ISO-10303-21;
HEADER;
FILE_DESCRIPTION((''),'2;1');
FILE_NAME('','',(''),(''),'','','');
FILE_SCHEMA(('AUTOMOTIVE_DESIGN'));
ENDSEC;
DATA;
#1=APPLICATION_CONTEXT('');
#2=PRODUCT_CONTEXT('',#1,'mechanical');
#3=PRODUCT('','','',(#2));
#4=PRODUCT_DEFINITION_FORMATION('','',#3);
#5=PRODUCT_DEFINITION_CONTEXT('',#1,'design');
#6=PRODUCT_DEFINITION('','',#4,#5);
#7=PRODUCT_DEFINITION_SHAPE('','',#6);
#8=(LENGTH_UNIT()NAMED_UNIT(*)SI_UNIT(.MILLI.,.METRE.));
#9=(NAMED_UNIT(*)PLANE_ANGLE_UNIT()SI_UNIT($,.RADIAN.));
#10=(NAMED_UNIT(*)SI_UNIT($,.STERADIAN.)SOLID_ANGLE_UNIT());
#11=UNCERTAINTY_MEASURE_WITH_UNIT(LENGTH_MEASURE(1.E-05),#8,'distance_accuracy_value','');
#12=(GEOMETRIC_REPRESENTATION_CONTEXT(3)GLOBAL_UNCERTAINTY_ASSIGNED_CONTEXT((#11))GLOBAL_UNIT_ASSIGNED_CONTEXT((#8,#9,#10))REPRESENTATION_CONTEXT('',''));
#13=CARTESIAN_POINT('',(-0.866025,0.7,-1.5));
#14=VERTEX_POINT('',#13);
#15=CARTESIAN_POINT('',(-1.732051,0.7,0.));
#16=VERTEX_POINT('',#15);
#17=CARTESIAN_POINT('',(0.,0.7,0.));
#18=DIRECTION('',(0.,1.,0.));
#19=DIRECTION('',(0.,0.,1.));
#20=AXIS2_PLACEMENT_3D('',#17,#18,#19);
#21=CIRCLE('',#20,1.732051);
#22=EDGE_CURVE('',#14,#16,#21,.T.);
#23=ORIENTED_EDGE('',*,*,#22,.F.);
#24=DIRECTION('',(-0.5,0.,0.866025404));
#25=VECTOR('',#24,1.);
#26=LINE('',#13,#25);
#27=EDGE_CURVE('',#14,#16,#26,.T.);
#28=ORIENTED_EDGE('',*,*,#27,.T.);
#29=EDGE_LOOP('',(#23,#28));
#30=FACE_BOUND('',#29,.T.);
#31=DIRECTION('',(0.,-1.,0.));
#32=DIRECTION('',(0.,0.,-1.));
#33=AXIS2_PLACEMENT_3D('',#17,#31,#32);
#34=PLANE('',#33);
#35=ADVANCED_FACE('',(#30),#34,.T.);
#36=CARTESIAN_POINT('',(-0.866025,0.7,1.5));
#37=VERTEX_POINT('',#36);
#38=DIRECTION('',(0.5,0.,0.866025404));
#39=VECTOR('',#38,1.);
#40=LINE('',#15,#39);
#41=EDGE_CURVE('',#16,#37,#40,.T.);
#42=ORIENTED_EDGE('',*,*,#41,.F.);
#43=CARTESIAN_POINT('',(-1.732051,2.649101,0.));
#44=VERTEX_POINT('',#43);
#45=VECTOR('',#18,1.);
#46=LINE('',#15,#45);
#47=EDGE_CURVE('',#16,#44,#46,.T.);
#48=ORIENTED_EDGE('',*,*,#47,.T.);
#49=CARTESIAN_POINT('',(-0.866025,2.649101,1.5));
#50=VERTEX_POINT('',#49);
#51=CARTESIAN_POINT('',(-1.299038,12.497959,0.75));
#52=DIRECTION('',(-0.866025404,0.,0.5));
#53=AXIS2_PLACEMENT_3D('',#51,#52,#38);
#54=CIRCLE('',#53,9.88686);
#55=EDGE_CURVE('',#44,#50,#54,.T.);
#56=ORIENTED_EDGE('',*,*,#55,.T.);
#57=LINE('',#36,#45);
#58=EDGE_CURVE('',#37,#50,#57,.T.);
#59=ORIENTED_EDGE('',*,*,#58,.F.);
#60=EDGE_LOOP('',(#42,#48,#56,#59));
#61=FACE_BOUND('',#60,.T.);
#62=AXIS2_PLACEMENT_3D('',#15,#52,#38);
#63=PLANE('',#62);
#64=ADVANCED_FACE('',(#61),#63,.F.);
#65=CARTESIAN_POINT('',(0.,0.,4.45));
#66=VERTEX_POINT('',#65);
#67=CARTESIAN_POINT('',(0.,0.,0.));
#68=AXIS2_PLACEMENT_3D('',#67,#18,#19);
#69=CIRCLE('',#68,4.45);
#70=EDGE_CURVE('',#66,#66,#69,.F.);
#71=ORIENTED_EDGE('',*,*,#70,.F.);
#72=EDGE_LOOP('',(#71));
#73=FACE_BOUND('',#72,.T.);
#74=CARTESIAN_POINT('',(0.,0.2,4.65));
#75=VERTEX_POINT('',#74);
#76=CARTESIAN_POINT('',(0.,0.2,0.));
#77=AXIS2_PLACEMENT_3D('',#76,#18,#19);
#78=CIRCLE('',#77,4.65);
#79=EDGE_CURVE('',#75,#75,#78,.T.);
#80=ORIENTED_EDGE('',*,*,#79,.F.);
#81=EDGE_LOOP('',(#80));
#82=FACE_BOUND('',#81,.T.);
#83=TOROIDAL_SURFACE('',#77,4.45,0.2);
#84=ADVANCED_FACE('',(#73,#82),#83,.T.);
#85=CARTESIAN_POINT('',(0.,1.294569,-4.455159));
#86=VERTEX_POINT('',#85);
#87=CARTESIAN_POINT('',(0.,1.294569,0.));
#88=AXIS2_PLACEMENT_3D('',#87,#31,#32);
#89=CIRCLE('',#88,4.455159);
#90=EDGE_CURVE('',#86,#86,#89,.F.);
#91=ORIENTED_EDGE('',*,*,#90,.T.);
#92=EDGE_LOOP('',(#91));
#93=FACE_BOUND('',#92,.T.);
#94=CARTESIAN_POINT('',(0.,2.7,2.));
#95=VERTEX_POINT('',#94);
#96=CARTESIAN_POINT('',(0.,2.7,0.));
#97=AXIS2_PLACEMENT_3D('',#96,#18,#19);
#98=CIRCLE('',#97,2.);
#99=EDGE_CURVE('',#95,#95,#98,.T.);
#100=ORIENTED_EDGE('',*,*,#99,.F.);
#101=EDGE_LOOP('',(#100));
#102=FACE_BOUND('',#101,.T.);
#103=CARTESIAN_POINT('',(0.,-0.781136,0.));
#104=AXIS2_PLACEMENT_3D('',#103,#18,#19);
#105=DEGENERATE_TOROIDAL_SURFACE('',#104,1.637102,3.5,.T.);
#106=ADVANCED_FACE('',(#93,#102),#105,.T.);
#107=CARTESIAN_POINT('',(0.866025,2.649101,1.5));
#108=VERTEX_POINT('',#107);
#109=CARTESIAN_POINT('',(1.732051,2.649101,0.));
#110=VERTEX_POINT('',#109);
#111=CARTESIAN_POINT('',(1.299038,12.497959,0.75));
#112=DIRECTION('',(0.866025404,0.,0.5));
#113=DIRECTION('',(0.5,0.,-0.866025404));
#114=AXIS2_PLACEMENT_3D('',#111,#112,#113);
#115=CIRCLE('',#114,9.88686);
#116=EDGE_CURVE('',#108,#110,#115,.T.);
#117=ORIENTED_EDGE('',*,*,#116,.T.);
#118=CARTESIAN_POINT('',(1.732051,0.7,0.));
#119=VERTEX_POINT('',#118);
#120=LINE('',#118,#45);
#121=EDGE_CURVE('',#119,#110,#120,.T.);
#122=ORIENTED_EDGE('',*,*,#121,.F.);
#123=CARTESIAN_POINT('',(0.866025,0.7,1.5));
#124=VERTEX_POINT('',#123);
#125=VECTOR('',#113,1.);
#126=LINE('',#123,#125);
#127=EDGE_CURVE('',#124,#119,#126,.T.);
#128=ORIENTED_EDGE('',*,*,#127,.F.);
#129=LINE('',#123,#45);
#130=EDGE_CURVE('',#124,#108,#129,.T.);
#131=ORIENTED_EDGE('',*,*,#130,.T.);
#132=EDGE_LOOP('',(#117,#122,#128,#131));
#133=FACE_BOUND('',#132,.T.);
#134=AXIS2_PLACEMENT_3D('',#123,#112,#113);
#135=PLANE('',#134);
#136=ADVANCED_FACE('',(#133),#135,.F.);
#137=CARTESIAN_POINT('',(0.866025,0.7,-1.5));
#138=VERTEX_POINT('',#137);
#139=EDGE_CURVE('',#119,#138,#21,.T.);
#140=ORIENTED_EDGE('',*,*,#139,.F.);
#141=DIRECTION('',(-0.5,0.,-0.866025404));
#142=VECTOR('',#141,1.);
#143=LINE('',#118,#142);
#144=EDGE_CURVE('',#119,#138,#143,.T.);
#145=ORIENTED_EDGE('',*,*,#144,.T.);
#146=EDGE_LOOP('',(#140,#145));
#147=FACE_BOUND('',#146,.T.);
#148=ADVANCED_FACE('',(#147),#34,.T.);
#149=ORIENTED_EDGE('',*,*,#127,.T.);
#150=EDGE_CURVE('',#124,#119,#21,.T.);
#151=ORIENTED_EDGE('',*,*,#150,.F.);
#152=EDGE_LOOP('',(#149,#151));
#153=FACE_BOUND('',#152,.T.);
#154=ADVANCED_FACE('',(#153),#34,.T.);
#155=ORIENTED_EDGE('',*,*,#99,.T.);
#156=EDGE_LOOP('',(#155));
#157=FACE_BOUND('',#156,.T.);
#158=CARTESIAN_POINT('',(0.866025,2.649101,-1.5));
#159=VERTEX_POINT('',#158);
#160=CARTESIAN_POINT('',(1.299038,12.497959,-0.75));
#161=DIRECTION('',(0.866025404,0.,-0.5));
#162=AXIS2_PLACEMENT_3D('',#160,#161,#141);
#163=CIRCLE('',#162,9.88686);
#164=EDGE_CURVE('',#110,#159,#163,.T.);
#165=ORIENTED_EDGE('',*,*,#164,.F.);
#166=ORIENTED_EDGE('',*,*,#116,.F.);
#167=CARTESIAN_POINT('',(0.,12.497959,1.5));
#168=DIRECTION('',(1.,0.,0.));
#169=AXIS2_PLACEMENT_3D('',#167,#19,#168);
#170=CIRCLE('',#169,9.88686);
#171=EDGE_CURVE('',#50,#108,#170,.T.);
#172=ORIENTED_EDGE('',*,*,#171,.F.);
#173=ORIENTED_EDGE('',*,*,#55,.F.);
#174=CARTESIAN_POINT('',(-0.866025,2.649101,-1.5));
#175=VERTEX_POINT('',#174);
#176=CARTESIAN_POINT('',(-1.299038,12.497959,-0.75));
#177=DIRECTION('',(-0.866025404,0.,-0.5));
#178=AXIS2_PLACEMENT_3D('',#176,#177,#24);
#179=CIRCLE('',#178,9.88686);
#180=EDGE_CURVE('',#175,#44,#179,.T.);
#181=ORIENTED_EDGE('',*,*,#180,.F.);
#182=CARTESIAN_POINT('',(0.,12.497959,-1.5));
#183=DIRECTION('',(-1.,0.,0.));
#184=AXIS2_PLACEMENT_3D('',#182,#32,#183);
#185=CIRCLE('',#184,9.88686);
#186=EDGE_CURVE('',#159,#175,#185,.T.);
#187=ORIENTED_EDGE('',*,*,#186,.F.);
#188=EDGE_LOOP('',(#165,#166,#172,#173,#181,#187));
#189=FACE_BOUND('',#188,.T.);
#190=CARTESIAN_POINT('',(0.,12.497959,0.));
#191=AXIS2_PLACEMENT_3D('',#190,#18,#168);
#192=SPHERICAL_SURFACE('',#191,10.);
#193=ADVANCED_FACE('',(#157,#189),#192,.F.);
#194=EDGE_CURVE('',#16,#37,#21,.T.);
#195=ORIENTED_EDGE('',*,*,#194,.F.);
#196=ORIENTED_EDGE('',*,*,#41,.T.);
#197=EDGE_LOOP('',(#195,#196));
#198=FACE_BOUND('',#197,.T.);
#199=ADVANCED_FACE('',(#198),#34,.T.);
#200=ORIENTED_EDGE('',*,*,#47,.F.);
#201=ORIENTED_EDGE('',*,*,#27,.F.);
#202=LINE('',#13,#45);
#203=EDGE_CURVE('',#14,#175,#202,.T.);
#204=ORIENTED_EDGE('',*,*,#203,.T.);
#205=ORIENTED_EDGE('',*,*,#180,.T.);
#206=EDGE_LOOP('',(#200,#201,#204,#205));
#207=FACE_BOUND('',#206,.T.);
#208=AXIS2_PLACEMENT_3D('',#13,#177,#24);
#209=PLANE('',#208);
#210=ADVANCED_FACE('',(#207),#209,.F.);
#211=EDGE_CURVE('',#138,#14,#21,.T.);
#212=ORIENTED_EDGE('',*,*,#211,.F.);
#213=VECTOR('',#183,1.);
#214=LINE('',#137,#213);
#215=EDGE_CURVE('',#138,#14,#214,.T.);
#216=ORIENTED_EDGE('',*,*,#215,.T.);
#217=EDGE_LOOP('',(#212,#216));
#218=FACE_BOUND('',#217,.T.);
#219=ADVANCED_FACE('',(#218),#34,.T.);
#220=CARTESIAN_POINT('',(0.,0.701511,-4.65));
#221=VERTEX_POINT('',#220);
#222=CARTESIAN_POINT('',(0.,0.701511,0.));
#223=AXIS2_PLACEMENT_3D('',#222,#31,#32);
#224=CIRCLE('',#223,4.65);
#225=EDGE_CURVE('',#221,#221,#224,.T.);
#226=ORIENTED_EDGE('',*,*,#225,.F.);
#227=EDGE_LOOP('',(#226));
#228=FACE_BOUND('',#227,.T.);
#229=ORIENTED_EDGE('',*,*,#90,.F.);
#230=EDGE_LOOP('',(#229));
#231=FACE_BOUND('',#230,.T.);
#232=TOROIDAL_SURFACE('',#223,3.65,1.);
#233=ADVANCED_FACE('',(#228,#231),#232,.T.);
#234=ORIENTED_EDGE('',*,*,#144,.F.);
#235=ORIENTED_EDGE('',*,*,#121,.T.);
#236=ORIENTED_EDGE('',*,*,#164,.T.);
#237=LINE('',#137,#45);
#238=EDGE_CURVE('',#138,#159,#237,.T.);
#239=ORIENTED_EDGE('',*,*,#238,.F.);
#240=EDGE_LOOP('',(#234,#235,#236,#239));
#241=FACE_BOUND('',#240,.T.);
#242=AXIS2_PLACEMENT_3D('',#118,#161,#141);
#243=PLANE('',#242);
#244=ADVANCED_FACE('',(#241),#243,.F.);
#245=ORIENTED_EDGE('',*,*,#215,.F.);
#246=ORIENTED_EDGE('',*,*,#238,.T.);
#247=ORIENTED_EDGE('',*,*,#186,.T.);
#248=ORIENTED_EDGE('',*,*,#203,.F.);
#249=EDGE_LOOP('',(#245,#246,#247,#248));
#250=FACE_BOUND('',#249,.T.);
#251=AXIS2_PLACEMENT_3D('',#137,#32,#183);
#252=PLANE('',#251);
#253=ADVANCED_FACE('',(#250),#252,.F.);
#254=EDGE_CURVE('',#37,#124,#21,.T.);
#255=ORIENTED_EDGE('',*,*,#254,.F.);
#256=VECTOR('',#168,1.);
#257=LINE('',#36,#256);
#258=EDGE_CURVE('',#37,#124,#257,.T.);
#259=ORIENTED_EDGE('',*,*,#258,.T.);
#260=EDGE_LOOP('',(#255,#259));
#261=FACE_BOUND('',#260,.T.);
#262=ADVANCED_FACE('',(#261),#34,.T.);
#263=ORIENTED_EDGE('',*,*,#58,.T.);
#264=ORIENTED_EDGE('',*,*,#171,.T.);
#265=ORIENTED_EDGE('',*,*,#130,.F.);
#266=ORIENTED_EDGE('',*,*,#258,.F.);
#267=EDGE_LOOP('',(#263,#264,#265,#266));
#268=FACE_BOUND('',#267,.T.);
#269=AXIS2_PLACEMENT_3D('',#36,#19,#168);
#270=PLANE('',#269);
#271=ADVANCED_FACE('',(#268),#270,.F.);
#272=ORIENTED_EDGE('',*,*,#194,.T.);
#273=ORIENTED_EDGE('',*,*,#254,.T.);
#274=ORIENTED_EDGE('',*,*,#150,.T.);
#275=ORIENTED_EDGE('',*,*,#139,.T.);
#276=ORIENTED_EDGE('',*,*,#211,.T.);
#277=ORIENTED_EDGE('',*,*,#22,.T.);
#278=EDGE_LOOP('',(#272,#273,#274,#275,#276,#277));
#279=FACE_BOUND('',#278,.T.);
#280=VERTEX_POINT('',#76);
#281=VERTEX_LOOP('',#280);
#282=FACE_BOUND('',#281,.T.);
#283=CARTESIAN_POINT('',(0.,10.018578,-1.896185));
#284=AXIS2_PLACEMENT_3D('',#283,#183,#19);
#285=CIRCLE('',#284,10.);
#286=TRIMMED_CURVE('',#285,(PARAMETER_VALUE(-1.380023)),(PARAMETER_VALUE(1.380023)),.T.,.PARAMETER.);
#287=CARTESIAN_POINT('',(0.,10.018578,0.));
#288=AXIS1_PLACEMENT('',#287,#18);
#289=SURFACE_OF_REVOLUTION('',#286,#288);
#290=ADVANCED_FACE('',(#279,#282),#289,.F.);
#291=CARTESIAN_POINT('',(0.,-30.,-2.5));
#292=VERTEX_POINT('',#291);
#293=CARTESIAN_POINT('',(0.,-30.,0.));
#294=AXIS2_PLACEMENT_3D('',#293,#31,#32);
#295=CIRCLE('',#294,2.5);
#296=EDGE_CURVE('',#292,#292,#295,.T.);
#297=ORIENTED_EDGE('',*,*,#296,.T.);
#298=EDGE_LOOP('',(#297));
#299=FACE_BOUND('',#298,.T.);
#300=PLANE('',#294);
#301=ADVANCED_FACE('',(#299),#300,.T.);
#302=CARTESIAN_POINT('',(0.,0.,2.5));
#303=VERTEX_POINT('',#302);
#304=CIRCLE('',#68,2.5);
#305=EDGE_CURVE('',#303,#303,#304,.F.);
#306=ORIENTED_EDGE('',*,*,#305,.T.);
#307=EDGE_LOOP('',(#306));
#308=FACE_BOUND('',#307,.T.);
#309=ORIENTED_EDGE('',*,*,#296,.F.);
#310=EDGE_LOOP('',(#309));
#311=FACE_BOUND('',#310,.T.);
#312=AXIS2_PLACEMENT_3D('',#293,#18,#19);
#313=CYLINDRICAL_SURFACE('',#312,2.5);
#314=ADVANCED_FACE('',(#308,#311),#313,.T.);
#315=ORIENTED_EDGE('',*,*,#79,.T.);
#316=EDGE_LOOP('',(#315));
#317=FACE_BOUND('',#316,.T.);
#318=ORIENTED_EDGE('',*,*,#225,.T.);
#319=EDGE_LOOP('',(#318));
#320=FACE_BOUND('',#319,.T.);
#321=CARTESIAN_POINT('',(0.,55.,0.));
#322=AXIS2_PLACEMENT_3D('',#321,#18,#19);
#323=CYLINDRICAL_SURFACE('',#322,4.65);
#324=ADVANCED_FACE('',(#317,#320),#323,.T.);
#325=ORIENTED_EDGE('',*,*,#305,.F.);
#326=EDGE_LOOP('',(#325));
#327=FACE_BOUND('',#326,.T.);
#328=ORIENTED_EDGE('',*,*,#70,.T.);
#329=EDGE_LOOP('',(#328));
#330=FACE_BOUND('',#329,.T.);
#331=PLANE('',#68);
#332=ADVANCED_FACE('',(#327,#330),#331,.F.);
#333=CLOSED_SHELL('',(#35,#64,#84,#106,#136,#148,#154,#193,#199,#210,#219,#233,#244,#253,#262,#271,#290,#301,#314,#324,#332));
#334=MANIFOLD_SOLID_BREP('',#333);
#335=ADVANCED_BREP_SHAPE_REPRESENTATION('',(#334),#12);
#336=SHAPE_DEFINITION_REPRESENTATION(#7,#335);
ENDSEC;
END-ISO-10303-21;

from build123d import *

# Parameters (mm, degrees)
FILLET1_R           = 0.2
FILLET2_R           = 1
SKETCH2_R           = 2.5
BOSS_EXTRUDE1_DEPTH = 30
CUT_EXTRUDE1_DEPTH  = 2


with BuildPart() as part:
    # Sketch1 → Revolve1 (revolve)
    with BuildSketch(Plane.XY):
        with BuildLine():
            Line((0, 0), (4.65, 0))
            Line((4.65, 0), (4.65, 1))
            ThreePointArc((4.65, 1), (3.526943142, 2.164793721), (2, 2.7))
            Line((2, 2.7), (0, 2.7))
            Line((0, 2.7), (0, 0))
        make_face()
    revolve(axis=Axis((0, 55, 0), (0, -1, 0)))

    # Fillet1
    fillet1_edges = [part.edges().sort_by_distance(p)[0] for p in [
        (-4.65, 0, 0),
    ]]
    fillet(fillet1_edges, radius=FILLET1_R)

    # Fillet2
    fillet2_edges = [part.edges().sort_by_distance(p)[0] for p in [
        (-4.65, 1, 0),
    ]]
    fillet(fillet2_edges, radius=FILLET2_R)

    # Sketch2 → Boss-Extrude1 (add)
    with BuildSketch(Plane.XZ):
        Circle(SKETCH2_R)
    extrude(amount=BOSS_EXTRUDE1_DEPTH)

    # Sketch6 → Revolve2 (revolve)
    with BuildSketch(Plane.XY):
        Polygon((0, 0), (0, 2.7), (1.274203424, 2.7), (4.45, 0), align=None)
    revolve(axis=Axis((0, 55, 0), (0, -1, 0)))

    # Sketch7 → Cut-Extrude1 (cut)
    with BuildSketch(Plane(origin=(0, 2.7, 0), x_dir=(1, 0, 0), z_dir=(0, 1, 0))):
        Polygon((0.866025404, -1.5), (1.732050808, 0), (0.866025404, 1.5), (-0.866025404, 1.5), (-1.732050808, 0), (-0.866025404, -1.5), align=None)
    extrude(amount=-CUT_EXTRUDE1_DEPTH, mode=Mode.SUBTRACT)

    # Sketch8 → Cut-Revolve1 (revolve, cut)
    with BuildSketch(Plane.XY):
        with BuildLine():
            Line((0, 0.7), (0, 0.2))
            ThreePointArc((0, 0.2), (0.877315732, 0.410889157), (1.732050808, 0.7))
            Line((1.732050808, 0.7), (0, 0.7))
        make_face()
    revolve(axis=Axis((0, 55, 0), (0, -1, 0)), mode=Mode.SUBTRACT)

    # Sketch9 → Cut-Revolve2 (revolve, cut)
    with BuildSketch(Plane.XY):
        with BuildLine():
            ThreePointArc((0, 2.497958971), (1.00508962, 2.548597441), (2, 2.7))
            Line((2, 2.7), (0, 2.7))
            Line((0, 2.7), (0, 2.497958971))
        make_face()
    revolve(axis=Axis((0, 55, 0), (0, -1, 0)), mode=Mode.SUBTRACT)


solid = part.part
